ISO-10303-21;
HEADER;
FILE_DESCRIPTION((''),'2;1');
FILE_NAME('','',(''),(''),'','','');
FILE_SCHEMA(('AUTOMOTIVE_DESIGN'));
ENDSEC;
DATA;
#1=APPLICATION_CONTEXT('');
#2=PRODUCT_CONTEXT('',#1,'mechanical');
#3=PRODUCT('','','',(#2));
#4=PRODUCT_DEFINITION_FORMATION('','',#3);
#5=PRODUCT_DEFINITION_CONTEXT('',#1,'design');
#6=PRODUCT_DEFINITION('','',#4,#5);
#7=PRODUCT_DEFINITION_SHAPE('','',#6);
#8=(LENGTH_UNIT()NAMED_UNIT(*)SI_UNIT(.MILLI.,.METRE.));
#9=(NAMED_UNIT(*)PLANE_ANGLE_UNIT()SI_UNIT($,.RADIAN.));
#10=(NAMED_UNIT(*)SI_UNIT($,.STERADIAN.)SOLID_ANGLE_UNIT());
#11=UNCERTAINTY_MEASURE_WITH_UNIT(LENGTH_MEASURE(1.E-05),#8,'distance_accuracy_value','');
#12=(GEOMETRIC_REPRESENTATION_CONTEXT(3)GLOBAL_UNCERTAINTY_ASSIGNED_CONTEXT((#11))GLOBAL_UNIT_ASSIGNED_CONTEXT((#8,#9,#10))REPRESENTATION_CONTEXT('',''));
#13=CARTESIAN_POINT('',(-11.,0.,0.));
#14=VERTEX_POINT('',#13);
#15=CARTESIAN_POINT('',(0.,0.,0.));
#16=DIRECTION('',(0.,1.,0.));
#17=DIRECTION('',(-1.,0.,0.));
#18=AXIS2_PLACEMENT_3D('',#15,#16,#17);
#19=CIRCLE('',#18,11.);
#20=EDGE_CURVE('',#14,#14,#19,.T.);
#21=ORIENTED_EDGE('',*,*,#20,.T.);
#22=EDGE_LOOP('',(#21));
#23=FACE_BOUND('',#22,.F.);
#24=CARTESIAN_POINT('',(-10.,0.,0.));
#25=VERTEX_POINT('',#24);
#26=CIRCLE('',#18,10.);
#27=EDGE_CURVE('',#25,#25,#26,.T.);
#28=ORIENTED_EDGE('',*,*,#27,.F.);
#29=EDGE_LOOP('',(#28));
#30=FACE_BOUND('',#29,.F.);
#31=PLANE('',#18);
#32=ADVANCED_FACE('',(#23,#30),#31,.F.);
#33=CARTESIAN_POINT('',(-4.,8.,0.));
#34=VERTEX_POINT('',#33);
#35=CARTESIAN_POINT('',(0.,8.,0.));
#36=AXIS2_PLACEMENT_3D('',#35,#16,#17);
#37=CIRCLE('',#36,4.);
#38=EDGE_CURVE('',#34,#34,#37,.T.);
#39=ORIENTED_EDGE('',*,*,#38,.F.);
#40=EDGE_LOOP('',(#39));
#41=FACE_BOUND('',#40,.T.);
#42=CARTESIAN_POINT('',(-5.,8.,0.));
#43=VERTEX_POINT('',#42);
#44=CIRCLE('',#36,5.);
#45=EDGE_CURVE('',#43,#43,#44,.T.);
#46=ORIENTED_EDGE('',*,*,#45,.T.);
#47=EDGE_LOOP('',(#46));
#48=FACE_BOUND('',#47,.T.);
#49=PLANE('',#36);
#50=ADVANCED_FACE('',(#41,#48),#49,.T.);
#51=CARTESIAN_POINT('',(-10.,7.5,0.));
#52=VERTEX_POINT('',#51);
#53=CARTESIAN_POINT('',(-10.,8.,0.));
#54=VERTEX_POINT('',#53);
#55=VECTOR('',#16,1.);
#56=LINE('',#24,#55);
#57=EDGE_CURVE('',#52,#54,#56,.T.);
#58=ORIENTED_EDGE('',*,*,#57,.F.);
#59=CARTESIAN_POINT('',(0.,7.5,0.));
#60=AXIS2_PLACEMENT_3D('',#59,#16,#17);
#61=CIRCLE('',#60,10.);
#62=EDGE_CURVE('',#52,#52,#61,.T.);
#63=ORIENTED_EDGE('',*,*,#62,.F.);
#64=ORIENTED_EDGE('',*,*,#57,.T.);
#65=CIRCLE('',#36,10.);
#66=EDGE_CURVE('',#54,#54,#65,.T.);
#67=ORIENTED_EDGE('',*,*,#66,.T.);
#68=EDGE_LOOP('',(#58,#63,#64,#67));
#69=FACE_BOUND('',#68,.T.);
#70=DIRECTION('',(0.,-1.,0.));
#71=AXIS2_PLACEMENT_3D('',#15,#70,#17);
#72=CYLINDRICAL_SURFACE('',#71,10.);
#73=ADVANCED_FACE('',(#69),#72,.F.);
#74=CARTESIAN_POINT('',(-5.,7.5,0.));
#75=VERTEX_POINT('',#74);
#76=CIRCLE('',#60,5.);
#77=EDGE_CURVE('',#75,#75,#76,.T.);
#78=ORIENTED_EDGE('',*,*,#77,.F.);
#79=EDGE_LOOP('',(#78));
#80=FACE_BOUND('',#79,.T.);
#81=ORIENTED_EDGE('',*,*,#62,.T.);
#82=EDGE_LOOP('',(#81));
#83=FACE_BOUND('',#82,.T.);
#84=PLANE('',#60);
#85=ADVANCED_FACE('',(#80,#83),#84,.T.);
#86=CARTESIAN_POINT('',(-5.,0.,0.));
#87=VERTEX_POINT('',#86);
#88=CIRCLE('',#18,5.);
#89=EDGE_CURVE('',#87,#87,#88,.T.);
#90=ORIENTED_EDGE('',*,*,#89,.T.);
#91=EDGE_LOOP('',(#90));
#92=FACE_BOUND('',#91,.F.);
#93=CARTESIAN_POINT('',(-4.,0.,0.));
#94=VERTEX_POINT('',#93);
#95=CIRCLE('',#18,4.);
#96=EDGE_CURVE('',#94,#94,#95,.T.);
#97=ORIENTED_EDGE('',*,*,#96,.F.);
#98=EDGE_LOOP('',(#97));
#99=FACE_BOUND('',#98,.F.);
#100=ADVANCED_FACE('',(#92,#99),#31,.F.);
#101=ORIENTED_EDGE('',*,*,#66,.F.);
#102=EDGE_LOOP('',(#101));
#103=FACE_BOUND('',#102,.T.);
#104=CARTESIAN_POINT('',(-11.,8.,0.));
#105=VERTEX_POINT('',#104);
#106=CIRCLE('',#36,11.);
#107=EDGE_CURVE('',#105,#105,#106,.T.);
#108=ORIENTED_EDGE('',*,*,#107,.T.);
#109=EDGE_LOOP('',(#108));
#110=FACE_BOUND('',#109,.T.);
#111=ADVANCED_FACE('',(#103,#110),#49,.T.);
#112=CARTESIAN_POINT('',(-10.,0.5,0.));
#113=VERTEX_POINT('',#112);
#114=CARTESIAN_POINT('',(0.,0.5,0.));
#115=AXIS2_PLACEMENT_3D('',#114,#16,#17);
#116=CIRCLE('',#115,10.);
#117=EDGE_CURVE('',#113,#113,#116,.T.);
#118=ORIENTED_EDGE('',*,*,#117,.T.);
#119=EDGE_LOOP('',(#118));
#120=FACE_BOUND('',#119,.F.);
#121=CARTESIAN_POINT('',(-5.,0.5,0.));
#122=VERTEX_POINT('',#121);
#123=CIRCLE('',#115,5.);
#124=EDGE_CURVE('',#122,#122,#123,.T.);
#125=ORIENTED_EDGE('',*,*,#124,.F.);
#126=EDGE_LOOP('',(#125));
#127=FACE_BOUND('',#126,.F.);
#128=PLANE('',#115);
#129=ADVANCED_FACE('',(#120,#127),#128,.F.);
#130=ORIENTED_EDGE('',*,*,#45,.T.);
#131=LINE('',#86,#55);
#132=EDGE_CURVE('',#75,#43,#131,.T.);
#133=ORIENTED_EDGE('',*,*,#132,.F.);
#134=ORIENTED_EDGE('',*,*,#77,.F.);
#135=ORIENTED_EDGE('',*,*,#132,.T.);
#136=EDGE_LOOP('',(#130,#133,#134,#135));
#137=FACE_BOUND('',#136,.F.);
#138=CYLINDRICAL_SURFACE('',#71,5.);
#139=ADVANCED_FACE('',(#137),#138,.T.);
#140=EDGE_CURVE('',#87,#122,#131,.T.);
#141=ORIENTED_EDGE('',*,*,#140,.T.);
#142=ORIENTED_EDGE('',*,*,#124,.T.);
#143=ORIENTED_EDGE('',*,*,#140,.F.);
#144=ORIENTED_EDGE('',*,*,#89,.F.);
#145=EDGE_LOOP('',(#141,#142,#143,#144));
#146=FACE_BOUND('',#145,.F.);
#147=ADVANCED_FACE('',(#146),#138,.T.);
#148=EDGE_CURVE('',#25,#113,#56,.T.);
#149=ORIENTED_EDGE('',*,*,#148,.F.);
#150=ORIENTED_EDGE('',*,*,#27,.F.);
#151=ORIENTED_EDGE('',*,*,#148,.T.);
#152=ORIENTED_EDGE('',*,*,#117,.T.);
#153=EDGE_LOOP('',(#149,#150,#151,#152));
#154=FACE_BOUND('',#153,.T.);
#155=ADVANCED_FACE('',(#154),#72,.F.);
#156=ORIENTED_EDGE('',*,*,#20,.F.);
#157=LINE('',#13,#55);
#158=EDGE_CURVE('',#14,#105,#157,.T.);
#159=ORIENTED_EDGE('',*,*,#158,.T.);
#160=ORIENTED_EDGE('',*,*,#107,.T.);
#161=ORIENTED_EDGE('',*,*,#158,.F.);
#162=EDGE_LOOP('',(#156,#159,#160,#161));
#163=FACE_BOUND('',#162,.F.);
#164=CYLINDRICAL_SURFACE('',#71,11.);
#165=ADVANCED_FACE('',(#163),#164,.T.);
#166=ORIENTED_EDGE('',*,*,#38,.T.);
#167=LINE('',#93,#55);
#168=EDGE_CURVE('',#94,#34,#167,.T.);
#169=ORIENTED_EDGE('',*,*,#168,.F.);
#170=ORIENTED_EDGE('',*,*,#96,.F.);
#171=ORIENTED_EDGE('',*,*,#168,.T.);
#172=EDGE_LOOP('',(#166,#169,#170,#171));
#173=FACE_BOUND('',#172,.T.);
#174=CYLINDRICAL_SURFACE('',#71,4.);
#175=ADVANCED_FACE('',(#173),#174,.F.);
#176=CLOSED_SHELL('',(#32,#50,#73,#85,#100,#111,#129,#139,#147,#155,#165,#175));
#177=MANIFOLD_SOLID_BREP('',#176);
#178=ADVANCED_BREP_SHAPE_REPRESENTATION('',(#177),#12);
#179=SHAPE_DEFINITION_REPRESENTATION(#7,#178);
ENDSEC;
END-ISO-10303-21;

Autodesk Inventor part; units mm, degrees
ref_plane "YZ Plane" through (0, 0, 0) normal (1, 0, 0) x (0, 1, 0)
ref_plane "XZ Plane" through (0, 0, 0) normal (0, 1, 0) x (-1, 0, 0)
ref_plane "XY Plane" through (0, 0, 0) normal (0, 0, 1) x (1, 0, 0)
sketch "Sketch1" plane through (0, 0, 0) normal (0, 1, 0) x (-1, 0, 0)
  circle A0 centre (0, 0) radius 4
  circle A1 centre (0, 0) radius 5
  circle A2 centre (0, 0) radius 11
  circle A3 centre (0, 0) radius 10
  dimension "d0" = 8
  dimension "d1" = 10
  dimension "d2" = 22
  dimension "d3" = 20
extrude "Extrusion1" add sketch "Sketch1" along normal blind 7.5 contours A3
extrude "Extrusion2" add sketch "Sketch1" along normal blind 8 contours A2
extrude "Extrusion3" cut sketch "Sketch1" along normal blind 0.5 contours A3
extrude "Extrusion4" add sketch "Sketch1" along normal blind 8 contours A1
properties part number "bearing"
